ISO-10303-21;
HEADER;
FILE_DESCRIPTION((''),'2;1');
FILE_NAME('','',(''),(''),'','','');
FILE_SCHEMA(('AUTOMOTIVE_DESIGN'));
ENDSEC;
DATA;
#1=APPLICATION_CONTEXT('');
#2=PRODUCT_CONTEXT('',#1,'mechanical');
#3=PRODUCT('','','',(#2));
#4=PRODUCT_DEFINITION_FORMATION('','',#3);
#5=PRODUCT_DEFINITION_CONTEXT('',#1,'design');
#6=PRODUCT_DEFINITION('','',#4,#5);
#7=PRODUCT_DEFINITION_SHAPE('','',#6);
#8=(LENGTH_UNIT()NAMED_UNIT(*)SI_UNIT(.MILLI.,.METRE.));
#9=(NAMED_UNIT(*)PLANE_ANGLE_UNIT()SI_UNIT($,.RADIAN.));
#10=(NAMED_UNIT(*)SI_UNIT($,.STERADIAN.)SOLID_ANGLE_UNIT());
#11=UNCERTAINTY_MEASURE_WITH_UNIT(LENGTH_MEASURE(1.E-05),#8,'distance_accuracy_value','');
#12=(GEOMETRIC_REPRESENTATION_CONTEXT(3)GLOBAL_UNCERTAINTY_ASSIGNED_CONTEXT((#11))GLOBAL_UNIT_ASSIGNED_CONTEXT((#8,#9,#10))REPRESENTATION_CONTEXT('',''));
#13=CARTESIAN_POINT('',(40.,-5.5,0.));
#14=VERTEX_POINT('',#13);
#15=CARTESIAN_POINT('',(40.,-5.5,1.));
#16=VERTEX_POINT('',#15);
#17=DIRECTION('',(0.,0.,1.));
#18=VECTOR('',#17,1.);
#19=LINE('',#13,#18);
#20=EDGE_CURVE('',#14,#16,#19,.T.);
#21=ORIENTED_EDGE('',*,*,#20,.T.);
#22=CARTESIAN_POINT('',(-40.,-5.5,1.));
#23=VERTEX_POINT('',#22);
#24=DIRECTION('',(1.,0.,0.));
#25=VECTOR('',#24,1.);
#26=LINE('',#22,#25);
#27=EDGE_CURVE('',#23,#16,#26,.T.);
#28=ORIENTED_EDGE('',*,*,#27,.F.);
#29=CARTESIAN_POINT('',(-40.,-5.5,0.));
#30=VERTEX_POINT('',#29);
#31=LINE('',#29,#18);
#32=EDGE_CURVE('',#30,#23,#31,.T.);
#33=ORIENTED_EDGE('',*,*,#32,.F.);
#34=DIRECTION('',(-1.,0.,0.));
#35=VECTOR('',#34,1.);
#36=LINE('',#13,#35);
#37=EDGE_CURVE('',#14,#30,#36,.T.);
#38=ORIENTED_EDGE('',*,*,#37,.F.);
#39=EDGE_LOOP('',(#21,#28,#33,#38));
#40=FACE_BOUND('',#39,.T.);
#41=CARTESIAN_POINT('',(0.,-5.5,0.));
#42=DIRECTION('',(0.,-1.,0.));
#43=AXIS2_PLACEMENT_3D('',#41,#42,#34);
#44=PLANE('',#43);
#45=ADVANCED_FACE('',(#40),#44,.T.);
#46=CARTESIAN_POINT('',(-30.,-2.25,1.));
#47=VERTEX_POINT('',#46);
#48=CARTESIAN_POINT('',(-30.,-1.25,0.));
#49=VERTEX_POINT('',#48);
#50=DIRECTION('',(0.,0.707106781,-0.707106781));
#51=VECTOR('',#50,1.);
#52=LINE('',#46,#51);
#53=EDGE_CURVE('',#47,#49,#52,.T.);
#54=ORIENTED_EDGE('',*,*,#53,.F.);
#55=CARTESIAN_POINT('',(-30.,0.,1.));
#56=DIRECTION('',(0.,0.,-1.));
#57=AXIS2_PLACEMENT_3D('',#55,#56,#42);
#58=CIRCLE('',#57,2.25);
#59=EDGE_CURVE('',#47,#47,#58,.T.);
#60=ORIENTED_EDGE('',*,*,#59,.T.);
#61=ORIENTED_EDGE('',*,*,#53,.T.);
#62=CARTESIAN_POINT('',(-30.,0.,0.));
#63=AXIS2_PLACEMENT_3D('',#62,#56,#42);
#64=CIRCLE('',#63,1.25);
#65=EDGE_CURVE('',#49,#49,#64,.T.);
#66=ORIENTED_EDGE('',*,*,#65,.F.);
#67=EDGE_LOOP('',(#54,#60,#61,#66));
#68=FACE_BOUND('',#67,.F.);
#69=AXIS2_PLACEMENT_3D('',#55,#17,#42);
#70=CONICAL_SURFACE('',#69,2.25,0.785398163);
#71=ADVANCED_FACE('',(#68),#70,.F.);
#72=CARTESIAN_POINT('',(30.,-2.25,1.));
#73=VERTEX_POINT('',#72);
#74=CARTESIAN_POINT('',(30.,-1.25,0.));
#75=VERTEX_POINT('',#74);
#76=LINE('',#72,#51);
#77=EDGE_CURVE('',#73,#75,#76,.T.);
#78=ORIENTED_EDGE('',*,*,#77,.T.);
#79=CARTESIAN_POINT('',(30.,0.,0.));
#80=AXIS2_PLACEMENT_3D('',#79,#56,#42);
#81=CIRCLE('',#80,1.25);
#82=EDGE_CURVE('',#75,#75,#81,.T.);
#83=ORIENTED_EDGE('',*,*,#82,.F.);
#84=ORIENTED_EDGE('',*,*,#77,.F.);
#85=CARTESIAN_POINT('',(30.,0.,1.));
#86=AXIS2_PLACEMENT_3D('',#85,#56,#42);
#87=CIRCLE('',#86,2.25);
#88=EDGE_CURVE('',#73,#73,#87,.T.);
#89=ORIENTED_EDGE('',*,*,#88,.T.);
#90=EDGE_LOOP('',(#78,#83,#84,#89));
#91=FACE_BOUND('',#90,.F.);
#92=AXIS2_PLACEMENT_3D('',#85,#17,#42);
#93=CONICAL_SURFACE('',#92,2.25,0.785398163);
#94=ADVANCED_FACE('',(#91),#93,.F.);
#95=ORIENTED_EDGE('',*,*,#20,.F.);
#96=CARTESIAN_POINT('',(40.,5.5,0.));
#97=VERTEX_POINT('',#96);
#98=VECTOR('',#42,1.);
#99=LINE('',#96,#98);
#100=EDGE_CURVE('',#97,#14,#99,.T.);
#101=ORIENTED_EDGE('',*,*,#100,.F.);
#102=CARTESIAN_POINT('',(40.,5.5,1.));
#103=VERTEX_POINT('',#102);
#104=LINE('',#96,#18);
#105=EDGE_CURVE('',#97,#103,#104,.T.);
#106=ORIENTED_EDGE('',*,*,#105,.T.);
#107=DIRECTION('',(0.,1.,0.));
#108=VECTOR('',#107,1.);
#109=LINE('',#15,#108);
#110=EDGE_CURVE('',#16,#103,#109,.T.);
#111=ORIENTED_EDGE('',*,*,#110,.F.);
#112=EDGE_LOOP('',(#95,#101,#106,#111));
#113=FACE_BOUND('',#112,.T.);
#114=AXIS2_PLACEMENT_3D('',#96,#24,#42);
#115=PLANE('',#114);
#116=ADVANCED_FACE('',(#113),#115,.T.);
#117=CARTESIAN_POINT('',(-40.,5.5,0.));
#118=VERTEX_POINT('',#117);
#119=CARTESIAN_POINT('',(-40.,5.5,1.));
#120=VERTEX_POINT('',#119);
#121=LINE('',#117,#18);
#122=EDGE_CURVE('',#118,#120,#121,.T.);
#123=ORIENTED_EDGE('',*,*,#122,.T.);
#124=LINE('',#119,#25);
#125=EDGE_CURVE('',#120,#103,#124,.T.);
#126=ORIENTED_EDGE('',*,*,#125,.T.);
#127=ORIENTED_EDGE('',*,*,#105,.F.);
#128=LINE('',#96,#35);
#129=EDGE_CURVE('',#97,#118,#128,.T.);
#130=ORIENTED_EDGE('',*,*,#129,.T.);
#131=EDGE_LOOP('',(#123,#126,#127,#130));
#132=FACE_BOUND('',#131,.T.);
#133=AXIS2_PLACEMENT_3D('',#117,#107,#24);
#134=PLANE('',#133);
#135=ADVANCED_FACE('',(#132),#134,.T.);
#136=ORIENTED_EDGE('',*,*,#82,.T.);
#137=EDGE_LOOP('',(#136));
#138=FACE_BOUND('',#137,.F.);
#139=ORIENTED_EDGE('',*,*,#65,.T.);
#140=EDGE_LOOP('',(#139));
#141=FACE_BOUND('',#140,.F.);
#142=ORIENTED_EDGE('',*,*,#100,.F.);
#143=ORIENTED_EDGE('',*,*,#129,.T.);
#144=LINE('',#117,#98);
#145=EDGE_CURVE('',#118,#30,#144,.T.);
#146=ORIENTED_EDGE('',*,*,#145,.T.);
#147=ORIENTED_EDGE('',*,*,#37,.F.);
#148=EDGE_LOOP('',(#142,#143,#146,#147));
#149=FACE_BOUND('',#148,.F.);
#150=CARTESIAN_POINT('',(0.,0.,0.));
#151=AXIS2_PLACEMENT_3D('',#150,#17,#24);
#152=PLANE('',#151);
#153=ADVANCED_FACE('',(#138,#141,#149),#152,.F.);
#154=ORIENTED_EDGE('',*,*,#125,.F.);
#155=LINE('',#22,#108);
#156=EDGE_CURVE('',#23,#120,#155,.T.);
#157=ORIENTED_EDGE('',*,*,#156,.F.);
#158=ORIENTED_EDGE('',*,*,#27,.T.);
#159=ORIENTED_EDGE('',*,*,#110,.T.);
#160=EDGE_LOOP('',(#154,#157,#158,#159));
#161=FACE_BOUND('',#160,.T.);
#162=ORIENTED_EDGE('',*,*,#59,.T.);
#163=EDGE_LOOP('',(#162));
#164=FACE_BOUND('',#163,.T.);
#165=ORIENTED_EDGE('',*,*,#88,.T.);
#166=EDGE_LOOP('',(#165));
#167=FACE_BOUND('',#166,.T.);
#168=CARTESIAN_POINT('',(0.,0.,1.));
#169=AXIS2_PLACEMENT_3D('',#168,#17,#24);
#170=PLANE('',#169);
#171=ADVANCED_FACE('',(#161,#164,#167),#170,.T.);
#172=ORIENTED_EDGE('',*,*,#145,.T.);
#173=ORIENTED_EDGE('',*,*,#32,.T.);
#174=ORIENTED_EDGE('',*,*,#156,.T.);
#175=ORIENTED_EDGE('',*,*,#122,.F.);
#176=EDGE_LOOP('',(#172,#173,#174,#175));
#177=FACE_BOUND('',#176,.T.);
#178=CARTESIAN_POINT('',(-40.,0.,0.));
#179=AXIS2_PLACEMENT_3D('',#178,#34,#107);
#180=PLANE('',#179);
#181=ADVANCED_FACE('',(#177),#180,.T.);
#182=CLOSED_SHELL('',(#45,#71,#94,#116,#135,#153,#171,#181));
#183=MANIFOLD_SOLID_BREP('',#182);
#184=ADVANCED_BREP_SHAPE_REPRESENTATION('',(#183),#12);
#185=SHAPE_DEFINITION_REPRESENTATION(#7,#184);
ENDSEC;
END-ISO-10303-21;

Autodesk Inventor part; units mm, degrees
ref_plane "YZ Plane" through (0, 0, 0) normal (1, 0, 0) x (0, 1, 0)
ref_plane "XZ Plane" through (0, 0, 0) normal (0, 1, 0) x (-1, 0, 0)
ref_plane "XY Plane" through (0, 0, 0) normal (0, 0, 1) x (1, 0, 0)
sketch "Skizze1" plane through (0, 0, 0) normal (0, 0, 1) x (1, 0, 0)
  line L0 (-56, 0) -> (56, 0) projected
  line L1 (0, -7.7) -> (0, 7.7) projected
  line L2 (-40, 5.5) -> (40, 5.5)
  line L3 (40, 5.5) -> (40, -5.5)
  line L4 (40, -5.5) -> (-40, -5.5)
  line L5 (-40, -5.5) -> (-40, 5.5)
  point P0 (0, 0)
  dimension "d0" = 11
  dimension "d1" = 80
extrude "Extrusion1" add sketch "Skizze1" along normal blind 1
sketch "Skizze2" plane through (0, 0, 1) normal (0, 0, 1) x (1, 0, 0)
  line L0 (-140, 0) -> (140, 0) projected
  line L1 (0, -7.7) -> (0, 7.7) projected
  point P0 (0, 0)
  point P1 (-30, 0)
  point P2 (30, 0)
  dimension "d4" = 60
hole "Bohrung1" at (-30, 0, 1) at (30, 0, 1) direction (0, 0, -1) diameter 2.4 end through all countersink diameter 4.5 countersink angle 90
properties part number "13_1087_040"
